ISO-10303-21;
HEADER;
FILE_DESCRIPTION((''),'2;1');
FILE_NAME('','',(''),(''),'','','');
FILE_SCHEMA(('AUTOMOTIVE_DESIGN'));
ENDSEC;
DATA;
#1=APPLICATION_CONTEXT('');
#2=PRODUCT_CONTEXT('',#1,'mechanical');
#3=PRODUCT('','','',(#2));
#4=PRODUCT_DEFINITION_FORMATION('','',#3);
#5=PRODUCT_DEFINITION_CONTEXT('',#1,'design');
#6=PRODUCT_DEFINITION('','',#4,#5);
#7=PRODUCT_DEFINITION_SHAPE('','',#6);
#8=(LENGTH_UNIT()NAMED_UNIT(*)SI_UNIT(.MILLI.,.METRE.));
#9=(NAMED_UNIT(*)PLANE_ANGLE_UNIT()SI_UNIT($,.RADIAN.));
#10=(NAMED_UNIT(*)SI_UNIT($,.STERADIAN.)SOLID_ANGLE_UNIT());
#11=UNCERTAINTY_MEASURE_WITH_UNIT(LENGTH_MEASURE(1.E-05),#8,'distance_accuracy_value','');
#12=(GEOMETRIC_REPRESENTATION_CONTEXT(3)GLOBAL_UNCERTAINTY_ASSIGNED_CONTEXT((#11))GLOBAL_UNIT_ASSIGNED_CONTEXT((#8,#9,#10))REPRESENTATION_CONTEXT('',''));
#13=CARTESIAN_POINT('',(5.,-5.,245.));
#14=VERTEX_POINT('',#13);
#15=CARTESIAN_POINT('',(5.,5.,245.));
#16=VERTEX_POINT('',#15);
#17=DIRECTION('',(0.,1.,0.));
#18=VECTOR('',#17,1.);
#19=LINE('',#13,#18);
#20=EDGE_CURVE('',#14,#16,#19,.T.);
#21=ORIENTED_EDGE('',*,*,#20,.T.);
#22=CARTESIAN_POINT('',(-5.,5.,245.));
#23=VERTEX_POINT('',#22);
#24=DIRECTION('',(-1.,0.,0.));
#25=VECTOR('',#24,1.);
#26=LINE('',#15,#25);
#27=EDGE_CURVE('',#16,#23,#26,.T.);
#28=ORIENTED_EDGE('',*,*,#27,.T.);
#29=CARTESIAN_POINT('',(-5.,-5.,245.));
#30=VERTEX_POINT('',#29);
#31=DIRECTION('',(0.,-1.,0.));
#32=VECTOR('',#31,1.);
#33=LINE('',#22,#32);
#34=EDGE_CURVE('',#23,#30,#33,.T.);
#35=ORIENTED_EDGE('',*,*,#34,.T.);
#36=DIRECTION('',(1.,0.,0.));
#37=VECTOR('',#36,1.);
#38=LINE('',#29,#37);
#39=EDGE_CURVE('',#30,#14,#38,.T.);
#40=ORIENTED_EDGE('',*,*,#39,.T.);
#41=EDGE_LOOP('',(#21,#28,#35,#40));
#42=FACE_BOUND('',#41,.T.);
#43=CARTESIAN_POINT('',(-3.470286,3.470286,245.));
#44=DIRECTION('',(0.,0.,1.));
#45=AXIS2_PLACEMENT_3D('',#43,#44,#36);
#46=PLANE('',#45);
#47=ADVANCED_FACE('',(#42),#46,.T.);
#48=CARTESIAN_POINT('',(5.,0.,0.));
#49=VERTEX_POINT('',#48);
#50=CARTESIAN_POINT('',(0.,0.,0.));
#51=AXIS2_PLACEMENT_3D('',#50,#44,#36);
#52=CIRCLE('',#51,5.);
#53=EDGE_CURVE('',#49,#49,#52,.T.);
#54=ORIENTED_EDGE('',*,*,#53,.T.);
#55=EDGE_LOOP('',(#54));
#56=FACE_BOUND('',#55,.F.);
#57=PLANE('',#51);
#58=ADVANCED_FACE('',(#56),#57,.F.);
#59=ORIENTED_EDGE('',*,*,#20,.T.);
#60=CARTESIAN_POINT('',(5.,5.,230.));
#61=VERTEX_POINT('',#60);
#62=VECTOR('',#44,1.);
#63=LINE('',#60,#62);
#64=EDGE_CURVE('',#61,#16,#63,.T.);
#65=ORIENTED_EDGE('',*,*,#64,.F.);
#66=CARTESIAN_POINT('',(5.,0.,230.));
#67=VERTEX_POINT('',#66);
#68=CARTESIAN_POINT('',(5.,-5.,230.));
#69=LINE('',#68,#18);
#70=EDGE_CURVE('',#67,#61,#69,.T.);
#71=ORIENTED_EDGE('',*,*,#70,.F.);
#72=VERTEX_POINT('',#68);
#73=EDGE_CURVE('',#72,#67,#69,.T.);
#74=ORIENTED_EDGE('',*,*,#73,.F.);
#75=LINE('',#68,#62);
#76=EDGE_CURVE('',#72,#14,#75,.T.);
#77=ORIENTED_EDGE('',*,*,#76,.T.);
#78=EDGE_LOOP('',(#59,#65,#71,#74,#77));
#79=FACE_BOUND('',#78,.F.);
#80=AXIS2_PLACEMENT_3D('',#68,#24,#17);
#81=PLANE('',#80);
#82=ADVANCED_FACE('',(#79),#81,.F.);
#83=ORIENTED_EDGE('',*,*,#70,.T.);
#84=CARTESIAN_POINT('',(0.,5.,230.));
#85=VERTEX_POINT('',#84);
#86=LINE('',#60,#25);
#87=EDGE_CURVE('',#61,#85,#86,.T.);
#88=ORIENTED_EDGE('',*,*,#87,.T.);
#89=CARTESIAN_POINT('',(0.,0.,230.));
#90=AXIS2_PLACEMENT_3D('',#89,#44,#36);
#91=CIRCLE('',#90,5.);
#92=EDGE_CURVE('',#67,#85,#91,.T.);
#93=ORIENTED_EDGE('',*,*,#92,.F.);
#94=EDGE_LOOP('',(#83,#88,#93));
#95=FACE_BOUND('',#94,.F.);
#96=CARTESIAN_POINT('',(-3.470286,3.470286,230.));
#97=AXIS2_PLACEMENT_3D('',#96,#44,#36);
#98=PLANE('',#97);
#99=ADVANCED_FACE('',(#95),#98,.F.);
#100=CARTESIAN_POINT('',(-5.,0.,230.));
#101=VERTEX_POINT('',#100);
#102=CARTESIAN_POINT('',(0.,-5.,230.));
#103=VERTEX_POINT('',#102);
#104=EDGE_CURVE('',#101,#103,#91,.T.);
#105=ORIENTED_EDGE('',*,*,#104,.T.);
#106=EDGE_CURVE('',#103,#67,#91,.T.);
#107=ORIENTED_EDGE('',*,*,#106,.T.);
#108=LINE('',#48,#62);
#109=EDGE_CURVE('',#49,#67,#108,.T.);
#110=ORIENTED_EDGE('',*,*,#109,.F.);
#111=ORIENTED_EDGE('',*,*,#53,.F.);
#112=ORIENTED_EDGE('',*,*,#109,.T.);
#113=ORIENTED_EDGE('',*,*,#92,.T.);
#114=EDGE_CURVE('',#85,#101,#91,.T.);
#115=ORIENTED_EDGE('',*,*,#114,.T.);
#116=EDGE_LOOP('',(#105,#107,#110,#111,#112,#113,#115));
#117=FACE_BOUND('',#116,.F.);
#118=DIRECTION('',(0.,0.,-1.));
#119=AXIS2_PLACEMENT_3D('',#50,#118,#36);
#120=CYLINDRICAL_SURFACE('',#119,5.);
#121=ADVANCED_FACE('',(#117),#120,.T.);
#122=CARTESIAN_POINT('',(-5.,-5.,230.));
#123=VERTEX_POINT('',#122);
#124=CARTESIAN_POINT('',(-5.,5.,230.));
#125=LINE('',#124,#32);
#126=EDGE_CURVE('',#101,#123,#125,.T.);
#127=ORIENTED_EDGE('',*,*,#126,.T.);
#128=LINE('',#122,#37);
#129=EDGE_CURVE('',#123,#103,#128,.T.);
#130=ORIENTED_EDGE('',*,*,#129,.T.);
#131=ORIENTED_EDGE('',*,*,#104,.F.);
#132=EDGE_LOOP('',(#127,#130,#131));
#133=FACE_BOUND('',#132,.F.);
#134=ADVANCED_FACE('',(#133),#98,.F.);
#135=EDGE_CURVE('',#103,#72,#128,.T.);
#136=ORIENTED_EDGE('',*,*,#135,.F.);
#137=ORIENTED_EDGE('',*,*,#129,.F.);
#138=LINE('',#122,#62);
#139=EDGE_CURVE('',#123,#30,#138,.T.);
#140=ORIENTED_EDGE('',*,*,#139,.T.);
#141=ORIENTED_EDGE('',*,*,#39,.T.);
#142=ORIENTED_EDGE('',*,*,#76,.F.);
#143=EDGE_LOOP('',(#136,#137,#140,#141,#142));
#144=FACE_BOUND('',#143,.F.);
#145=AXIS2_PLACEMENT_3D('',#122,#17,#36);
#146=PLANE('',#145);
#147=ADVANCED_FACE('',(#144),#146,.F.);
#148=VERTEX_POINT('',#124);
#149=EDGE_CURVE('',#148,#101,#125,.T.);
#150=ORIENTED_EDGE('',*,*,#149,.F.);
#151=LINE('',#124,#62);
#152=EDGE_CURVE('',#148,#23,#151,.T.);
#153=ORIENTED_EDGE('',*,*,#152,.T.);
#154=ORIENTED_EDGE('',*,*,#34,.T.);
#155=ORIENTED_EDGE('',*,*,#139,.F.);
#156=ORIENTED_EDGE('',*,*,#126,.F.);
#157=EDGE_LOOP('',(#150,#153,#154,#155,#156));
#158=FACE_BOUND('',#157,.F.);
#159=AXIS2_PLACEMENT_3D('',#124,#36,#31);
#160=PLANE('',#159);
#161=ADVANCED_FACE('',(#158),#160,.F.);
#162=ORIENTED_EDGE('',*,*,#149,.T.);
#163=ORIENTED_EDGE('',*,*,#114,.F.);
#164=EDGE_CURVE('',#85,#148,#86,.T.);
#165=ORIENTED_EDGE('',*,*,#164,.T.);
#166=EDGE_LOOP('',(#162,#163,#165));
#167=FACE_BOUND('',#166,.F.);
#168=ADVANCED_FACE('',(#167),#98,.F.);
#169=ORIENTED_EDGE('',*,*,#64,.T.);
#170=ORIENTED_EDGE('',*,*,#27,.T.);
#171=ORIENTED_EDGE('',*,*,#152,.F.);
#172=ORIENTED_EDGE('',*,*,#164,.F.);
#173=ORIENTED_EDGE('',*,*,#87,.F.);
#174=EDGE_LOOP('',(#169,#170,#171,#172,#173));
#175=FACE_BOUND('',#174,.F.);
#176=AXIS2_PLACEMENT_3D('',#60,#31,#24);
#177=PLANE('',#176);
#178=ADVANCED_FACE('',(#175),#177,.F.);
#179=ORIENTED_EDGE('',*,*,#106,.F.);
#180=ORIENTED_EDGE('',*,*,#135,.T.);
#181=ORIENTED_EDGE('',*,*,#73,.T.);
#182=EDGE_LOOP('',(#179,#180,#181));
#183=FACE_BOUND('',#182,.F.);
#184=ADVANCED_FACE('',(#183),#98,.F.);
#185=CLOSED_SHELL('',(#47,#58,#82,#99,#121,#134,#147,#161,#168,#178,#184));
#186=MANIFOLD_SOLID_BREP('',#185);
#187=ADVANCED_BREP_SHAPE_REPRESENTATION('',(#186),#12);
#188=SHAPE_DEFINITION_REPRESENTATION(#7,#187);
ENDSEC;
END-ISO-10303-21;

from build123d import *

# Parameters (mm, degrees)
F0_R     = 5
F1_DEPTH = 230
F3_DEPTH = 15


with BuildPart() as f1:
    # F0 (on Top) → F1 (new body)
    with BuildSketch(Plane.XY):
        Circle(F0_R)
    extrude(amount=F1_DEPTH)

    # F2 (on face) → F3 (join)
    with BuildSketch(Plane.XY.offset(230)):
        with BuildLine():
            ThreePointArc((-5, 0), (-3.535534, 3.535534), (0, 5))
            Line((0, 5), (-5, 5))
            Line((-5, 5), (-5, 0))
        make_face()
        with BuildLine():
            Line((5, 0), (5, 5))
            Line((5, 5), (0, 5))
            ThreePointArc((0, 5), (3.535534, 3.535534), (5, 0))
        make_face()
        with BuildLine():
            ThreePointArc((5, 0), (3.535534, 3.535534), (0, 5))
            ThreePointArc((0, 5), (-3.535534, 3.535534), (-5, 0))
            ThreePointArc((-5, 0), (-3.535534, -3.535534), (0, -5))
            ThreePointArc((0, -5), (3.535534, -3.535534), (5, 0))
        make_face()
        with BuildLine():
            Line((5, -5), (5, 0))
            ThreePointArc((5, 0), (3.535534, -3.535534), (0, -5))
            Line((0, -5), (5, -5))
        make_face()
        with BuildLine():
            ThreePointArc((0, -5), (-3.535534, -3.535534), (-5, 0))
            Line((-5, 0), (-5, -5))
            Line((-5, -5), (0, -5))
        make_face()
    extrude(amount=F3_DEPTH)


solid = f1.part
